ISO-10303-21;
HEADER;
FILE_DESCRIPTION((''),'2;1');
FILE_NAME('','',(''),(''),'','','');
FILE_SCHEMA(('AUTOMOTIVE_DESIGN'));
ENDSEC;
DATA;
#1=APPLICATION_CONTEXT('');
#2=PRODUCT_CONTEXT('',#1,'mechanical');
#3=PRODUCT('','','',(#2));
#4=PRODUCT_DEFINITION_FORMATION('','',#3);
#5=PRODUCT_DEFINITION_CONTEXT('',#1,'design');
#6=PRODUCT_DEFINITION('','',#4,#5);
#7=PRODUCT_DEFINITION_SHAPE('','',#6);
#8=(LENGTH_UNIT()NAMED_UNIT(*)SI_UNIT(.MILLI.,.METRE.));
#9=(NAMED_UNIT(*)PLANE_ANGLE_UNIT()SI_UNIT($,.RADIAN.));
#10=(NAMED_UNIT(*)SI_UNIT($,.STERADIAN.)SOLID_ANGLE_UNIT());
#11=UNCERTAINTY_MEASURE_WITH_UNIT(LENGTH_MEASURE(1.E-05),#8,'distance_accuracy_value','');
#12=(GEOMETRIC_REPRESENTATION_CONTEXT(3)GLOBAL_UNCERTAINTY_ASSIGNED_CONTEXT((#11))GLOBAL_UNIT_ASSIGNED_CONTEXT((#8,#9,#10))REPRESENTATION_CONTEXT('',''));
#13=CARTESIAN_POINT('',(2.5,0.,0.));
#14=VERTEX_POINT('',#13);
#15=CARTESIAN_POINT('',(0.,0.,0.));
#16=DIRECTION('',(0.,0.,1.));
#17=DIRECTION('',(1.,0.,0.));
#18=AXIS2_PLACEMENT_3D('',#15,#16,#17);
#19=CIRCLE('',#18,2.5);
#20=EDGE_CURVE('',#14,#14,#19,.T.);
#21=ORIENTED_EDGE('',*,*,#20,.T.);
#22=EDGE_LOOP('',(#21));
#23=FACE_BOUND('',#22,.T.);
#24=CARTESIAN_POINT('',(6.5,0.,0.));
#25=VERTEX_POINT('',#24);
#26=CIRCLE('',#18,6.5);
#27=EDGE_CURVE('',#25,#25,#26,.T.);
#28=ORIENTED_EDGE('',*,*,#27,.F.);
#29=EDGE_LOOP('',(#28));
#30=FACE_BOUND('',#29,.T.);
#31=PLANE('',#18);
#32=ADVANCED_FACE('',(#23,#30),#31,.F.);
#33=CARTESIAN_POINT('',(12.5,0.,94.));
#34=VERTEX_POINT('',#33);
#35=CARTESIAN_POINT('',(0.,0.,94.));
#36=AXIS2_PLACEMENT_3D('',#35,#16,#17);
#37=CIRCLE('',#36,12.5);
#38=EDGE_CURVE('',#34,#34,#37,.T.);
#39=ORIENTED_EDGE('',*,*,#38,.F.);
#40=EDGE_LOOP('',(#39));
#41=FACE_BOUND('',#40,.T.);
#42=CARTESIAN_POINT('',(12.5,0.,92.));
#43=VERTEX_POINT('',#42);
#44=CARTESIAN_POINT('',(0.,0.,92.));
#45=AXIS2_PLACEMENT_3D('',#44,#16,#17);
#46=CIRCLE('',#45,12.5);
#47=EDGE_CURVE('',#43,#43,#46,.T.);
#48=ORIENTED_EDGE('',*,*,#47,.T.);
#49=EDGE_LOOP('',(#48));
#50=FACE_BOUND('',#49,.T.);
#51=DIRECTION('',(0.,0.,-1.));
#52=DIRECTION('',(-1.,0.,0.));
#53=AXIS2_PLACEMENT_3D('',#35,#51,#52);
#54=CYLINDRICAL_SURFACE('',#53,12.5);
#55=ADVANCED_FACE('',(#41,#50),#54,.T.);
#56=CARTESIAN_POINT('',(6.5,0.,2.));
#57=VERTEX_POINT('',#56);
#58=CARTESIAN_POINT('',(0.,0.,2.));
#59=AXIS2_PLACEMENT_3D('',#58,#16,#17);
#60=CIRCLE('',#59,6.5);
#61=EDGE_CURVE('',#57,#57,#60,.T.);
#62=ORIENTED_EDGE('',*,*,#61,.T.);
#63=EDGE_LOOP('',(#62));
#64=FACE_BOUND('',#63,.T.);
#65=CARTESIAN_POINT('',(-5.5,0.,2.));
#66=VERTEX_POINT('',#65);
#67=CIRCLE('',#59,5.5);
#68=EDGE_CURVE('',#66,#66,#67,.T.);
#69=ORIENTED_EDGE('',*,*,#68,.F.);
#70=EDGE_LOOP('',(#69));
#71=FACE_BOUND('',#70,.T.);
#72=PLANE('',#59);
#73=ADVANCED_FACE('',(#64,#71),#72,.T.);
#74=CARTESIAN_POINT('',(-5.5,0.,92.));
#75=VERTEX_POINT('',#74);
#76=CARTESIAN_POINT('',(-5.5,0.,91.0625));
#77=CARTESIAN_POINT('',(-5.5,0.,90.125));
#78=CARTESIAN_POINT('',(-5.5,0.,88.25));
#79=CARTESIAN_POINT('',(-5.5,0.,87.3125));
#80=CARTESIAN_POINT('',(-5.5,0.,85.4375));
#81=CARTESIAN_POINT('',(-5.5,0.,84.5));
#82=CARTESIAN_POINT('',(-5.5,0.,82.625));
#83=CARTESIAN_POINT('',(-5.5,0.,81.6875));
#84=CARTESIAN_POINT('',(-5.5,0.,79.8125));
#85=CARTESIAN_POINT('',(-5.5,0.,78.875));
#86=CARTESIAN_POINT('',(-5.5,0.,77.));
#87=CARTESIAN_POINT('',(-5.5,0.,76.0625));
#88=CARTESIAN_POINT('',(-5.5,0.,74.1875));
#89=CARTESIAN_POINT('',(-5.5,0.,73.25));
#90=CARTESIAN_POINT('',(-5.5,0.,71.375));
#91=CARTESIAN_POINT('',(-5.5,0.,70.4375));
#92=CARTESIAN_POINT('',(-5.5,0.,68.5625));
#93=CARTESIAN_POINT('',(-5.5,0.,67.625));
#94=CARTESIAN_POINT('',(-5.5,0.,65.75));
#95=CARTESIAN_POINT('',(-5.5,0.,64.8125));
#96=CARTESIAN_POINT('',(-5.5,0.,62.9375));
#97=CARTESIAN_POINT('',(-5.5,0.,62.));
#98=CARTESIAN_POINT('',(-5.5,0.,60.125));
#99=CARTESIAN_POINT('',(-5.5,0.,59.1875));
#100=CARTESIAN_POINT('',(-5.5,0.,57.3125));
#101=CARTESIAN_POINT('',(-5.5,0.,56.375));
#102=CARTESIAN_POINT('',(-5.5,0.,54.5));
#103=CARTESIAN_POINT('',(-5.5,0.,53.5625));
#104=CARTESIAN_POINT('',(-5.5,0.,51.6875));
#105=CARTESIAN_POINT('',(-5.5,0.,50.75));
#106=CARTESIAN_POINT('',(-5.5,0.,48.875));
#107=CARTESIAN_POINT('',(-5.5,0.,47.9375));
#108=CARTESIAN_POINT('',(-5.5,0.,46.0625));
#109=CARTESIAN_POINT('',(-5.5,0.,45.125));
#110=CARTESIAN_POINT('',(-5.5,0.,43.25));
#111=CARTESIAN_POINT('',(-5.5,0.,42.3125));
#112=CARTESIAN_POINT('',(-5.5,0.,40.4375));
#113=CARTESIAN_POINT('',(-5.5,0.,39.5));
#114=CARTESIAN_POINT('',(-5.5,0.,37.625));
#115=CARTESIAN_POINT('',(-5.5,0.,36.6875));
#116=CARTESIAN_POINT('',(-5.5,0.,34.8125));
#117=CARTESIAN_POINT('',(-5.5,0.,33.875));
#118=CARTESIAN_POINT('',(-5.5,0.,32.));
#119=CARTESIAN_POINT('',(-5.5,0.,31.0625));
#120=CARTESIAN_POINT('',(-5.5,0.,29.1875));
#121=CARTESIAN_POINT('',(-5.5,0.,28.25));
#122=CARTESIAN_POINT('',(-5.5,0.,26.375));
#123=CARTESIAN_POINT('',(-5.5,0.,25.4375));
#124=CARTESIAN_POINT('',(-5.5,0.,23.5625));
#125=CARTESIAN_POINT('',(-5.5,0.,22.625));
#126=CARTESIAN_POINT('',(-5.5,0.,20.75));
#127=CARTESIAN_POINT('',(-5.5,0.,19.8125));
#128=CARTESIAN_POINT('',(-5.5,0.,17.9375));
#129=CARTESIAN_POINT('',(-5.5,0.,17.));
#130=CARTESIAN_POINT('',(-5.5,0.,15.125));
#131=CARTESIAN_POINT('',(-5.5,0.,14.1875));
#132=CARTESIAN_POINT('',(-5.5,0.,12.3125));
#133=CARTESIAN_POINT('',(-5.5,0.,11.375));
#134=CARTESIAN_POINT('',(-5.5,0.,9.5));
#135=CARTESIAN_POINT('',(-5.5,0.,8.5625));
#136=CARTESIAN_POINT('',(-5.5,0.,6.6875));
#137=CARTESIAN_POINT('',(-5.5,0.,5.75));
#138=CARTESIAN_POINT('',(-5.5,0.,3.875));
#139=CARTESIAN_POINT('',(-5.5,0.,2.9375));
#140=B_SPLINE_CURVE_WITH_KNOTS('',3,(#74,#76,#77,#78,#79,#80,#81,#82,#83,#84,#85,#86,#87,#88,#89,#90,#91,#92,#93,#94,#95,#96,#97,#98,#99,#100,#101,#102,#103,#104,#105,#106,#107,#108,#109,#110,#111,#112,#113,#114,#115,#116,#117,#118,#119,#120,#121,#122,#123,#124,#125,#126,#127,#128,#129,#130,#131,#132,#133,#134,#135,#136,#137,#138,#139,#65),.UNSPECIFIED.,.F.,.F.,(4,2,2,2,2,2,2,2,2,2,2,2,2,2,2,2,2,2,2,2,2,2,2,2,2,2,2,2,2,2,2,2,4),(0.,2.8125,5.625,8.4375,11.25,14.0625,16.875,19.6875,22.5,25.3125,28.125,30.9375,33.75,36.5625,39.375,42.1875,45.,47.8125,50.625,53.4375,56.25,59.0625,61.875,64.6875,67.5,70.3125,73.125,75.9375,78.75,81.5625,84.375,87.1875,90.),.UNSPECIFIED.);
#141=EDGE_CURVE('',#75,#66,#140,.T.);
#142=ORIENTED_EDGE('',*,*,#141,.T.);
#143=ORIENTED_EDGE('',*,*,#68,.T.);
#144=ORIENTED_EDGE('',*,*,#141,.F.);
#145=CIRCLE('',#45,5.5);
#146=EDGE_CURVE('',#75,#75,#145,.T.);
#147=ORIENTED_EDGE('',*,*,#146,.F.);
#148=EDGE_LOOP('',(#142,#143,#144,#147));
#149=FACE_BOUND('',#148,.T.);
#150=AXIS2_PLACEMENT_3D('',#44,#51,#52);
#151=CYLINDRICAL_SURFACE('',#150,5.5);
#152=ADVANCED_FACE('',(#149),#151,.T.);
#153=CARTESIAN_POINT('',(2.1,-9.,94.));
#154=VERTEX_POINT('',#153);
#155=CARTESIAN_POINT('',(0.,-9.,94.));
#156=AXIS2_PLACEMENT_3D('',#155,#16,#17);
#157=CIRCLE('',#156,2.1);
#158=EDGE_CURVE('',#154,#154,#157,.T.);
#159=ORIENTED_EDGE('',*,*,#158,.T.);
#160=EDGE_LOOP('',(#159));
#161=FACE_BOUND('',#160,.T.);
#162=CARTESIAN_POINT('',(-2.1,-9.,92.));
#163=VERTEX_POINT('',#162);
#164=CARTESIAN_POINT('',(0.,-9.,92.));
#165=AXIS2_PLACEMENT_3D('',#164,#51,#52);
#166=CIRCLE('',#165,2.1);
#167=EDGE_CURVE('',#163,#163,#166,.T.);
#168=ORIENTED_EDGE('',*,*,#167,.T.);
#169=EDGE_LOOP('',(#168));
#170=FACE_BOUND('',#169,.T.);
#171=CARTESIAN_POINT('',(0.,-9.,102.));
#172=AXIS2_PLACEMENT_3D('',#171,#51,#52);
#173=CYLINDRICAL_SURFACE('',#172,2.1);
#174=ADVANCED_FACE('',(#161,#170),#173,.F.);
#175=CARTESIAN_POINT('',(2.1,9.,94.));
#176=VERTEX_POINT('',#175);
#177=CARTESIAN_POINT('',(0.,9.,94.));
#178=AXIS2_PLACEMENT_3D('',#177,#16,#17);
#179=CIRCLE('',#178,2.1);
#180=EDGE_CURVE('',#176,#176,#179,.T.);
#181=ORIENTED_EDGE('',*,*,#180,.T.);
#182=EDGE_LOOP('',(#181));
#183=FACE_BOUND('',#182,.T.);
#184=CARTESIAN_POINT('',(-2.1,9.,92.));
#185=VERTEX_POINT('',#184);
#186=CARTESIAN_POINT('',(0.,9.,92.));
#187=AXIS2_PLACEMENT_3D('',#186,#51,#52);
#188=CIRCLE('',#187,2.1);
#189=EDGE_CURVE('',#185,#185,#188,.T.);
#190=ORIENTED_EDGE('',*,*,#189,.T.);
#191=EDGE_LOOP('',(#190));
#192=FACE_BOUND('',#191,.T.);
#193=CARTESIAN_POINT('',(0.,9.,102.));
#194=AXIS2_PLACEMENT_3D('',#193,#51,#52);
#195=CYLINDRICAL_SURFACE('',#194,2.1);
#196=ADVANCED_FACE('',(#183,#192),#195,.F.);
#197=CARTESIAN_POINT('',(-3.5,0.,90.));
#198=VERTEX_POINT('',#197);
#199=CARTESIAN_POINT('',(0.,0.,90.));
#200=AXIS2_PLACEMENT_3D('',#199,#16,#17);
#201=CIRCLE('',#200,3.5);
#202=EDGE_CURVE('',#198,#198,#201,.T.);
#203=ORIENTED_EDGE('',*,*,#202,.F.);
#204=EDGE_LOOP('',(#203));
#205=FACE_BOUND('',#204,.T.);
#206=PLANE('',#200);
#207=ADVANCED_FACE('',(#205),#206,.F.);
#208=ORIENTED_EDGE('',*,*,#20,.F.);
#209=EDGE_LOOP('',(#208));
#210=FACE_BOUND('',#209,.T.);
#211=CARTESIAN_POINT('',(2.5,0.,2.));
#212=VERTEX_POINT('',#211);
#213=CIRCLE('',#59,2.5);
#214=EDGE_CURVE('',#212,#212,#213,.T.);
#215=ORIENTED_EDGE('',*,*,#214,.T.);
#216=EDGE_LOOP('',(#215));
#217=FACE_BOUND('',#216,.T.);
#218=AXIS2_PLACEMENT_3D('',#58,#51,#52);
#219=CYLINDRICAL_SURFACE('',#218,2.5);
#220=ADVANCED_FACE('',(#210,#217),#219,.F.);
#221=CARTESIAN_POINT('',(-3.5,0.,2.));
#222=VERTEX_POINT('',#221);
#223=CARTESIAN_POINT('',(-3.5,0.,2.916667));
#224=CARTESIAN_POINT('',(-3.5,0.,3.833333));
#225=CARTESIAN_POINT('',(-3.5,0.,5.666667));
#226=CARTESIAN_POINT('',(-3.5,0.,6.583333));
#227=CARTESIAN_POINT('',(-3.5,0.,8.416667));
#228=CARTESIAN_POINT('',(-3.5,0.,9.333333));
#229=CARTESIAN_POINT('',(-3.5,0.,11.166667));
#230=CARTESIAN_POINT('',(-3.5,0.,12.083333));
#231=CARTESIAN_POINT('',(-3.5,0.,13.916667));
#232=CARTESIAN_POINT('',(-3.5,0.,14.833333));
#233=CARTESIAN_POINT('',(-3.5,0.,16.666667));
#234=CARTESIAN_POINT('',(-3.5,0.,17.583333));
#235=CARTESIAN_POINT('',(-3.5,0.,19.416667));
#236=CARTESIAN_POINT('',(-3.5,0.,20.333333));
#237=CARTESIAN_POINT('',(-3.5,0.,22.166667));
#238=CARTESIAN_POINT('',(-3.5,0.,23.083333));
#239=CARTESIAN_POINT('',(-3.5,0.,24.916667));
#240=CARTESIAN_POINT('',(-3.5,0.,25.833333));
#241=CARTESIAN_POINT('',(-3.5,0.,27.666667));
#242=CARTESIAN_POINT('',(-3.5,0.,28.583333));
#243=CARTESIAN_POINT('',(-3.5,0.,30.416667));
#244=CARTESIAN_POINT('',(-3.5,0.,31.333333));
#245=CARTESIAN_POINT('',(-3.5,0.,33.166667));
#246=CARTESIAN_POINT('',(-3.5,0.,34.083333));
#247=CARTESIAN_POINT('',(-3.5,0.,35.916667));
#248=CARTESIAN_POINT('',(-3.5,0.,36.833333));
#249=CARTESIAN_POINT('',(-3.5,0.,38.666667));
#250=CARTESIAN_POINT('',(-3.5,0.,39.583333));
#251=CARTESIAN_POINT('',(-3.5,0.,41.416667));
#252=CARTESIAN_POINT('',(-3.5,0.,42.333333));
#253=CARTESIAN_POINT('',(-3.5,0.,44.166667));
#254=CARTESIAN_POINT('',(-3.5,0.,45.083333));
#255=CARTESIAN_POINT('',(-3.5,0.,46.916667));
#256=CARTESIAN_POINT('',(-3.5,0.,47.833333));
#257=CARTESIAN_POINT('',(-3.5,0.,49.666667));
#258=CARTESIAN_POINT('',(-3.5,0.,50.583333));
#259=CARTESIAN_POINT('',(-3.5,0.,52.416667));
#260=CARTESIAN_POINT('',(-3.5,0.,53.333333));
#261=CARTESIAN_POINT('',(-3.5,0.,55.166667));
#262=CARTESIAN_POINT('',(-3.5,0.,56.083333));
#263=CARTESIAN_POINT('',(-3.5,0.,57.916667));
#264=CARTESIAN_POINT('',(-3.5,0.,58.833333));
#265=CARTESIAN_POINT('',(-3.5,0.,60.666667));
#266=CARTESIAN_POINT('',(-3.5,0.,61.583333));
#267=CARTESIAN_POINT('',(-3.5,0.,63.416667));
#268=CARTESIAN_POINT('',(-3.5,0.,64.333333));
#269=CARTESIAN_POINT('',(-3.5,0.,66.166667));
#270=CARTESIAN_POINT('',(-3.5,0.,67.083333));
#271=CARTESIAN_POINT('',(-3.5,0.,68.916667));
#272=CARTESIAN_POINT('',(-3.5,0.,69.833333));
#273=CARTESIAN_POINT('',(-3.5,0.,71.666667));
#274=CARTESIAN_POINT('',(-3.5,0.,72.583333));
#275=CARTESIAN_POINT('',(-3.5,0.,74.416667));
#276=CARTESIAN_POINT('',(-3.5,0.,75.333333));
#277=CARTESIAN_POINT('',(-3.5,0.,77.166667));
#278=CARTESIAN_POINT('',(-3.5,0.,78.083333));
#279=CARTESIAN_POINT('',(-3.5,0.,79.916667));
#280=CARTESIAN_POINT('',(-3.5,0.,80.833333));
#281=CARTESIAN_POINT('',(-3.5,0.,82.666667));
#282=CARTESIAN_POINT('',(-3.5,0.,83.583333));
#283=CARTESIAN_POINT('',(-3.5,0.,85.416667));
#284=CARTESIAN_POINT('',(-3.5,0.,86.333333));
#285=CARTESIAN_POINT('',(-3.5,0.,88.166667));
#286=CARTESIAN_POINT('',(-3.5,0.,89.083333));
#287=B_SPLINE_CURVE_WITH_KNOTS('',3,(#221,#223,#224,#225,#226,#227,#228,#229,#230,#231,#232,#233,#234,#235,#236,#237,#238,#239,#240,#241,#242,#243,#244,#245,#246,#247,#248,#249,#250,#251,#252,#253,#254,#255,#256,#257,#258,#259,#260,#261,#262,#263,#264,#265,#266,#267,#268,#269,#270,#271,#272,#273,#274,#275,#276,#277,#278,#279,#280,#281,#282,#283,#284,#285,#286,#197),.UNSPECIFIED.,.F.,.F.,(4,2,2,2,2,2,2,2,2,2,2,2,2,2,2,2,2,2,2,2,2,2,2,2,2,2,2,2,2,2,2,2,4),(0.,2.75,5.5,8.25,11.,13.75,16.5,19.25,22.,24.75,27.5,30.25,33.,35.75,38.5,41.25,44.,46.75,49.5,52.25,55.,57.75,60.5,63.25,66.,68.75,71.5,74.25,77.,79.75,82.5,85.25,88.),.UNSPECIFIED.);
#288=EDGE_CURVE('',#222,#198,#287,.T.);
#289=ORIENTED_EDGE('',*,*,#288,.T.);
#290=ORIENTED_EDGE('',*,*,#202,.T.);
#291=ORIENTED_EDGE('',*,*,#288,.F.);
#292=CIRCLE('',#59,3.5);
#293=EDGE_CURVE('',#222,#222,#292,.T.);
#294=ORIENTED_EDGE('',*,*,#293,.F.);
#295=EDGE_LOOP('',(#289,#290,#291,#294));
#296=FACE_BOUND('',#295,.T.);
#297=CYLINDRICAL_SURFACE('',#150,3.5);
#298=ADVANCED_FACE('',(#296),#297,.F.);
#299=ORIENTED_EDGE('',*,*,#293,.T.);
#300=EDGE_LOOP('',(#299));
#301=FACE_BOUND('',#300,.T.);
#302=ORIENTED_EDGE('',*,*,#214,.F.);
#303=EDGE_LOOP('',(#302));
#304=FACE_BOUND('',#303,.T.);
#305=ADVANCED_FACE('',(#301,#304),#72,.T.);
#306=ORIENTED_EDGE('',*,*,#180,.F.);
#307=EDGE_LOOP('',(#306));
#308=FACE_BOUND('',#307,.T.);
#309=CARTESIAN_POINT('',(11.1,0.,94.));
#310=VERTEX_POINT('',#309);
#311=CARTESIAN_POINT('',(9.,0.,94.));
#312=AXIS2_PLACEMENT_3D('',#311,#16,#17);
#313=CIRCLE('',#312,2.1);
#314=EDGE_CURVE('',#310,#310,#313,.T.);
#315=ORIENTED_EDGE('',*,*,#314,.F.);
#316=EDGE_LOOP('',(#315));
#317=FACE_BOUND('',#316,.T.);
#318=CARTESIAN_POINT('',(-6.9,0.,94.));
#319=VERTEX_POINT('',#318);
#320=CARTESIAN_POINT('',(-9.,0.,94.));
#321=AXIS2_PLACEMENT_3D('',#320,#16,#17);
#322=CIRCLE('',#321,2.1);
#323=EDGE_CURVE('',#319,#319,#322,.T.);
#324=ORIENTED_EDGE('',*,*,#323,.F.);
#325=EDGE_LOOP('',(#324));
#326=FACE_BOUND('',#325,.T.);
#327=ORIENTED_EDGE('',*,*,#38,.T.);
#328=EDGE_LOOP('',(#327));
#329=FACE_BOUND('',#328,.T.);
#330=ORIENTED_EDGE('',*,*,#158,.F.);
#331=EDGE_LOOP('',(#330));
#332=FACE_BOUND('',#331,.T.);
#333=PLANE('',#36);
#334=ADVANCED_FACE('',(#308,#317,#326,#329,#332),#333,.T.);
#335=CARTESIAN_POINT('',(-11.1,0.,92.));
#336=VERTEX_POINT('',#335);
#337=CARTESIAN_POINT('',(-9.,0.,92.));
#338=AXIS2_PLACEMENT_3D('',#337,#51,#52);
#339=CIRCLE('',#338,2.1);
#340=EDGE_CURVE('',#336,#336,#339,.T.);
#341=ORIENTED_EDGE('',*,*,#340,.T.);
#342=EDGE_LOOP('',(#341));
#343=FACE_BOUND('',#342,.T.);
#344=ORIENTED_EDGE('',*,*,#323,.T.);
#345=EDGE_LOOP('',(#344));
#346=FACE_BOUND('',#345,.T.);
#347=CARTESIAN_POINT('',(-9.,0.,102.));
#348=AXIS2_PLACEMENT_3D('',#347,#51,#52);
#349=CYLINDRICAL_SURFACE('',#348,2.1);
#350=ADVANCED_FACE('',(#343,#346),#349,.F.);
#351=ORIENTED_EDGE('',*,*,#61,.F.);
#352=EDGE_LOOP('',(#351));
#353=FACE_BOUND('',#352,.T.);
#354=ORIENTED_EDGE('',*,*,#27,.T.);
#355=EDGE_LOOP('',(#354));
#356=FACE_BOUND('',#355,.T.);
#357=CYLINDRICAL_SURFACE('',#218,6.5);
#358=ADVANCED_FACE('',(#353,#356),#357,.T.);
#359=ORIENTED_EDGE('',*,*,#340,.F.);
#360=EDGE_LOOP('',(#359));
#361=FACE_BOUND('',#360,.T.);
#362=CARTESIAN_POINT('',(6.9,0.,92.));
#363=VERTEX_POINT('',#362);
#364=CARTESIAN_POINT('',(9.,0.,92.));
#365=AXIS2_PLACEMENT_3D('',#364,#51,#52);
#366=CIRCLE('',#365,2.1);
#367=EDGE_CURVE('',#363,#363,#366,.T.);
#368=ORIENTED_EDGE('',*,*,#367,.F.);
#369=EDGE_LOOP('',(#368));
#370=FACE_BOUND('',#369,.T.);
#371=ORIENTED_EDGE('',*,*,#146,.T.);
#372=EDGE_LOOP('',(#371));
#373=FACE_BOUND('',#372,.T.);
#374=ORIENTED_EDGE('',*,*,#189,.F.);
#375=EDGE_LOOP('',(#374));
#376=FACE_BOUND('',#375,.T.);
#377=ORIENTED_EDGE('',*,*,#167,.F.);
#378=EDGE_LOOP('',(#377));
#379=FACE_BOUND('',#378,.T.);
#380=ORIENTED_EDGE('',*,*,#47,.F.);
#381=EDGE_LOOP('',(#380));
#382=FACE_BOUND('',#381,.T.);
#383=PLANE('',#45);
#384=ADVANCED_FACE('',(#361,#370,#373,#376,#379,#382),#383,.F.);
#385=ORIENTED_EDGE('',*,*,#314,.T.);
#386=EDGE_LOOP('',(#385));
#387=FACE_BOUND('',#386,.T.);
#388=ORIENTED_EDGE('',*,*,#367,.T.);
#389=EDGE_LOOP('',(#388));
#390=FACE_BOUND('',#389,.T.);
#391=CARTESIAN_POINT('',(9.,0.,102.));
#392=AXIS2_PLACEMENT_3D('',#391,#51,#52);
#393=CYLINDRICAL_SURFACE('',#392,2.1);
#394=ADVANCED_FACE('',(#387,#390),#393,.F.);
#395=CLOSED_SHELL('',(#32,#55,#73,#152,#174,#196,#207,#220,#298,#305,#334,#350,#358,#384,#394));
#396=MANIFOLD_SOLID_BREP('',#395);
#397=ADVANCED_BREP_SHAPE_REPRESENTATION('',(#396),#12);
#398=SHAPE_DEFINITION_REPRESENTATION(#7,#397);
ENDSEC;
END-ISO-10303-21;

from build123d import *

# Parameters (mm, degrees)
SKETCH1_R           = 6.5
SKETCH1_R_2         = 2.5
BOSS_EXTRUDE1_DEPTH = 2
SKETCH2_R           = 5.5
SKETCH2_R_2         = 3.5
BOSS_EXTRUDE2_DEPTH = 90
BOSS_EXTRUDE3_START = -2
SKETCH4_R           = 3.5
BOSS_EXTRUDE3_DEPTH = 2
SKETCH5_R           = 12.5
BOSS_EXTRUDE4_DEPTH = 2
SKETCH6_R           = 2.1
CUT_EXTRUDE1_DEPTH  = 10


with BuildPart() as part:
    # Sketch1 → Boss-Extrude1 (new body)
    with BuildSketch(Plane.XY):
        Circle(SKETCH1_R)
        Circle(SKETCH1_R_2, mode=Mode.SUBTRACT)
    extrude(amount=BOSS_EXTRUDE1_DEPTH)

    # Sketch2 → Boss-Extrude2 (add)
    with BuildSketch(Plane.XY.offset(2)):
        with Locations(Location((0, 0, 0), (0, 0, 180))):
            Circle(SKETCH2_R)
        with Locations(Location((0, 0, 0), (0, 0, 180))):
            Circle(SKETCH2_R_2, mode=Mode.SUBTRACT)
    extrude(amount=BOSS_EXTRUDE2_DEPTH)

    # Sketch4 → Boss-Extrude3 (add)
    with BuildSketch(Plane.XY.offset(92).offset(BOSS_EXTRUDE3_START)):
        with Locations(Location((0, 0, 0), (0, 0, 180))):
            Circle(SKETCH4_R)
    extrude(amount=BOSS_EXTRUDE3_DEPTH)

    # Sketch5 → Boss-Extrude4 (add)
    with BuildSketch(Plane.XY.offset(92)):
        Circle(SKETCH5_R)
    extrude(amount=BOSS_EXTRUDE4_DEPTH)

    # Sketch6 → Cut-Extrude1 (cut)
    with BuildSketch(Plane(origin=(0, 0, 92), x_dir=(-1, 0, 0), z_dir=(0, 0, -1))):
        with Locations((0, 9)):
            Circle(SKETCH6_R)
        with Locations((9, 0)):
            Circle(SKETCH6_R)
        with Locations((0, -9)):
            Circle(SKETCH6_R)
        with Locations((-9, 0)):
            Circle(SKETCH6_R)
    extrude(amount=-CUT_EXTRUDE1_DEPTH, mode=Mode.SUBTRACT)


solid = part.part
